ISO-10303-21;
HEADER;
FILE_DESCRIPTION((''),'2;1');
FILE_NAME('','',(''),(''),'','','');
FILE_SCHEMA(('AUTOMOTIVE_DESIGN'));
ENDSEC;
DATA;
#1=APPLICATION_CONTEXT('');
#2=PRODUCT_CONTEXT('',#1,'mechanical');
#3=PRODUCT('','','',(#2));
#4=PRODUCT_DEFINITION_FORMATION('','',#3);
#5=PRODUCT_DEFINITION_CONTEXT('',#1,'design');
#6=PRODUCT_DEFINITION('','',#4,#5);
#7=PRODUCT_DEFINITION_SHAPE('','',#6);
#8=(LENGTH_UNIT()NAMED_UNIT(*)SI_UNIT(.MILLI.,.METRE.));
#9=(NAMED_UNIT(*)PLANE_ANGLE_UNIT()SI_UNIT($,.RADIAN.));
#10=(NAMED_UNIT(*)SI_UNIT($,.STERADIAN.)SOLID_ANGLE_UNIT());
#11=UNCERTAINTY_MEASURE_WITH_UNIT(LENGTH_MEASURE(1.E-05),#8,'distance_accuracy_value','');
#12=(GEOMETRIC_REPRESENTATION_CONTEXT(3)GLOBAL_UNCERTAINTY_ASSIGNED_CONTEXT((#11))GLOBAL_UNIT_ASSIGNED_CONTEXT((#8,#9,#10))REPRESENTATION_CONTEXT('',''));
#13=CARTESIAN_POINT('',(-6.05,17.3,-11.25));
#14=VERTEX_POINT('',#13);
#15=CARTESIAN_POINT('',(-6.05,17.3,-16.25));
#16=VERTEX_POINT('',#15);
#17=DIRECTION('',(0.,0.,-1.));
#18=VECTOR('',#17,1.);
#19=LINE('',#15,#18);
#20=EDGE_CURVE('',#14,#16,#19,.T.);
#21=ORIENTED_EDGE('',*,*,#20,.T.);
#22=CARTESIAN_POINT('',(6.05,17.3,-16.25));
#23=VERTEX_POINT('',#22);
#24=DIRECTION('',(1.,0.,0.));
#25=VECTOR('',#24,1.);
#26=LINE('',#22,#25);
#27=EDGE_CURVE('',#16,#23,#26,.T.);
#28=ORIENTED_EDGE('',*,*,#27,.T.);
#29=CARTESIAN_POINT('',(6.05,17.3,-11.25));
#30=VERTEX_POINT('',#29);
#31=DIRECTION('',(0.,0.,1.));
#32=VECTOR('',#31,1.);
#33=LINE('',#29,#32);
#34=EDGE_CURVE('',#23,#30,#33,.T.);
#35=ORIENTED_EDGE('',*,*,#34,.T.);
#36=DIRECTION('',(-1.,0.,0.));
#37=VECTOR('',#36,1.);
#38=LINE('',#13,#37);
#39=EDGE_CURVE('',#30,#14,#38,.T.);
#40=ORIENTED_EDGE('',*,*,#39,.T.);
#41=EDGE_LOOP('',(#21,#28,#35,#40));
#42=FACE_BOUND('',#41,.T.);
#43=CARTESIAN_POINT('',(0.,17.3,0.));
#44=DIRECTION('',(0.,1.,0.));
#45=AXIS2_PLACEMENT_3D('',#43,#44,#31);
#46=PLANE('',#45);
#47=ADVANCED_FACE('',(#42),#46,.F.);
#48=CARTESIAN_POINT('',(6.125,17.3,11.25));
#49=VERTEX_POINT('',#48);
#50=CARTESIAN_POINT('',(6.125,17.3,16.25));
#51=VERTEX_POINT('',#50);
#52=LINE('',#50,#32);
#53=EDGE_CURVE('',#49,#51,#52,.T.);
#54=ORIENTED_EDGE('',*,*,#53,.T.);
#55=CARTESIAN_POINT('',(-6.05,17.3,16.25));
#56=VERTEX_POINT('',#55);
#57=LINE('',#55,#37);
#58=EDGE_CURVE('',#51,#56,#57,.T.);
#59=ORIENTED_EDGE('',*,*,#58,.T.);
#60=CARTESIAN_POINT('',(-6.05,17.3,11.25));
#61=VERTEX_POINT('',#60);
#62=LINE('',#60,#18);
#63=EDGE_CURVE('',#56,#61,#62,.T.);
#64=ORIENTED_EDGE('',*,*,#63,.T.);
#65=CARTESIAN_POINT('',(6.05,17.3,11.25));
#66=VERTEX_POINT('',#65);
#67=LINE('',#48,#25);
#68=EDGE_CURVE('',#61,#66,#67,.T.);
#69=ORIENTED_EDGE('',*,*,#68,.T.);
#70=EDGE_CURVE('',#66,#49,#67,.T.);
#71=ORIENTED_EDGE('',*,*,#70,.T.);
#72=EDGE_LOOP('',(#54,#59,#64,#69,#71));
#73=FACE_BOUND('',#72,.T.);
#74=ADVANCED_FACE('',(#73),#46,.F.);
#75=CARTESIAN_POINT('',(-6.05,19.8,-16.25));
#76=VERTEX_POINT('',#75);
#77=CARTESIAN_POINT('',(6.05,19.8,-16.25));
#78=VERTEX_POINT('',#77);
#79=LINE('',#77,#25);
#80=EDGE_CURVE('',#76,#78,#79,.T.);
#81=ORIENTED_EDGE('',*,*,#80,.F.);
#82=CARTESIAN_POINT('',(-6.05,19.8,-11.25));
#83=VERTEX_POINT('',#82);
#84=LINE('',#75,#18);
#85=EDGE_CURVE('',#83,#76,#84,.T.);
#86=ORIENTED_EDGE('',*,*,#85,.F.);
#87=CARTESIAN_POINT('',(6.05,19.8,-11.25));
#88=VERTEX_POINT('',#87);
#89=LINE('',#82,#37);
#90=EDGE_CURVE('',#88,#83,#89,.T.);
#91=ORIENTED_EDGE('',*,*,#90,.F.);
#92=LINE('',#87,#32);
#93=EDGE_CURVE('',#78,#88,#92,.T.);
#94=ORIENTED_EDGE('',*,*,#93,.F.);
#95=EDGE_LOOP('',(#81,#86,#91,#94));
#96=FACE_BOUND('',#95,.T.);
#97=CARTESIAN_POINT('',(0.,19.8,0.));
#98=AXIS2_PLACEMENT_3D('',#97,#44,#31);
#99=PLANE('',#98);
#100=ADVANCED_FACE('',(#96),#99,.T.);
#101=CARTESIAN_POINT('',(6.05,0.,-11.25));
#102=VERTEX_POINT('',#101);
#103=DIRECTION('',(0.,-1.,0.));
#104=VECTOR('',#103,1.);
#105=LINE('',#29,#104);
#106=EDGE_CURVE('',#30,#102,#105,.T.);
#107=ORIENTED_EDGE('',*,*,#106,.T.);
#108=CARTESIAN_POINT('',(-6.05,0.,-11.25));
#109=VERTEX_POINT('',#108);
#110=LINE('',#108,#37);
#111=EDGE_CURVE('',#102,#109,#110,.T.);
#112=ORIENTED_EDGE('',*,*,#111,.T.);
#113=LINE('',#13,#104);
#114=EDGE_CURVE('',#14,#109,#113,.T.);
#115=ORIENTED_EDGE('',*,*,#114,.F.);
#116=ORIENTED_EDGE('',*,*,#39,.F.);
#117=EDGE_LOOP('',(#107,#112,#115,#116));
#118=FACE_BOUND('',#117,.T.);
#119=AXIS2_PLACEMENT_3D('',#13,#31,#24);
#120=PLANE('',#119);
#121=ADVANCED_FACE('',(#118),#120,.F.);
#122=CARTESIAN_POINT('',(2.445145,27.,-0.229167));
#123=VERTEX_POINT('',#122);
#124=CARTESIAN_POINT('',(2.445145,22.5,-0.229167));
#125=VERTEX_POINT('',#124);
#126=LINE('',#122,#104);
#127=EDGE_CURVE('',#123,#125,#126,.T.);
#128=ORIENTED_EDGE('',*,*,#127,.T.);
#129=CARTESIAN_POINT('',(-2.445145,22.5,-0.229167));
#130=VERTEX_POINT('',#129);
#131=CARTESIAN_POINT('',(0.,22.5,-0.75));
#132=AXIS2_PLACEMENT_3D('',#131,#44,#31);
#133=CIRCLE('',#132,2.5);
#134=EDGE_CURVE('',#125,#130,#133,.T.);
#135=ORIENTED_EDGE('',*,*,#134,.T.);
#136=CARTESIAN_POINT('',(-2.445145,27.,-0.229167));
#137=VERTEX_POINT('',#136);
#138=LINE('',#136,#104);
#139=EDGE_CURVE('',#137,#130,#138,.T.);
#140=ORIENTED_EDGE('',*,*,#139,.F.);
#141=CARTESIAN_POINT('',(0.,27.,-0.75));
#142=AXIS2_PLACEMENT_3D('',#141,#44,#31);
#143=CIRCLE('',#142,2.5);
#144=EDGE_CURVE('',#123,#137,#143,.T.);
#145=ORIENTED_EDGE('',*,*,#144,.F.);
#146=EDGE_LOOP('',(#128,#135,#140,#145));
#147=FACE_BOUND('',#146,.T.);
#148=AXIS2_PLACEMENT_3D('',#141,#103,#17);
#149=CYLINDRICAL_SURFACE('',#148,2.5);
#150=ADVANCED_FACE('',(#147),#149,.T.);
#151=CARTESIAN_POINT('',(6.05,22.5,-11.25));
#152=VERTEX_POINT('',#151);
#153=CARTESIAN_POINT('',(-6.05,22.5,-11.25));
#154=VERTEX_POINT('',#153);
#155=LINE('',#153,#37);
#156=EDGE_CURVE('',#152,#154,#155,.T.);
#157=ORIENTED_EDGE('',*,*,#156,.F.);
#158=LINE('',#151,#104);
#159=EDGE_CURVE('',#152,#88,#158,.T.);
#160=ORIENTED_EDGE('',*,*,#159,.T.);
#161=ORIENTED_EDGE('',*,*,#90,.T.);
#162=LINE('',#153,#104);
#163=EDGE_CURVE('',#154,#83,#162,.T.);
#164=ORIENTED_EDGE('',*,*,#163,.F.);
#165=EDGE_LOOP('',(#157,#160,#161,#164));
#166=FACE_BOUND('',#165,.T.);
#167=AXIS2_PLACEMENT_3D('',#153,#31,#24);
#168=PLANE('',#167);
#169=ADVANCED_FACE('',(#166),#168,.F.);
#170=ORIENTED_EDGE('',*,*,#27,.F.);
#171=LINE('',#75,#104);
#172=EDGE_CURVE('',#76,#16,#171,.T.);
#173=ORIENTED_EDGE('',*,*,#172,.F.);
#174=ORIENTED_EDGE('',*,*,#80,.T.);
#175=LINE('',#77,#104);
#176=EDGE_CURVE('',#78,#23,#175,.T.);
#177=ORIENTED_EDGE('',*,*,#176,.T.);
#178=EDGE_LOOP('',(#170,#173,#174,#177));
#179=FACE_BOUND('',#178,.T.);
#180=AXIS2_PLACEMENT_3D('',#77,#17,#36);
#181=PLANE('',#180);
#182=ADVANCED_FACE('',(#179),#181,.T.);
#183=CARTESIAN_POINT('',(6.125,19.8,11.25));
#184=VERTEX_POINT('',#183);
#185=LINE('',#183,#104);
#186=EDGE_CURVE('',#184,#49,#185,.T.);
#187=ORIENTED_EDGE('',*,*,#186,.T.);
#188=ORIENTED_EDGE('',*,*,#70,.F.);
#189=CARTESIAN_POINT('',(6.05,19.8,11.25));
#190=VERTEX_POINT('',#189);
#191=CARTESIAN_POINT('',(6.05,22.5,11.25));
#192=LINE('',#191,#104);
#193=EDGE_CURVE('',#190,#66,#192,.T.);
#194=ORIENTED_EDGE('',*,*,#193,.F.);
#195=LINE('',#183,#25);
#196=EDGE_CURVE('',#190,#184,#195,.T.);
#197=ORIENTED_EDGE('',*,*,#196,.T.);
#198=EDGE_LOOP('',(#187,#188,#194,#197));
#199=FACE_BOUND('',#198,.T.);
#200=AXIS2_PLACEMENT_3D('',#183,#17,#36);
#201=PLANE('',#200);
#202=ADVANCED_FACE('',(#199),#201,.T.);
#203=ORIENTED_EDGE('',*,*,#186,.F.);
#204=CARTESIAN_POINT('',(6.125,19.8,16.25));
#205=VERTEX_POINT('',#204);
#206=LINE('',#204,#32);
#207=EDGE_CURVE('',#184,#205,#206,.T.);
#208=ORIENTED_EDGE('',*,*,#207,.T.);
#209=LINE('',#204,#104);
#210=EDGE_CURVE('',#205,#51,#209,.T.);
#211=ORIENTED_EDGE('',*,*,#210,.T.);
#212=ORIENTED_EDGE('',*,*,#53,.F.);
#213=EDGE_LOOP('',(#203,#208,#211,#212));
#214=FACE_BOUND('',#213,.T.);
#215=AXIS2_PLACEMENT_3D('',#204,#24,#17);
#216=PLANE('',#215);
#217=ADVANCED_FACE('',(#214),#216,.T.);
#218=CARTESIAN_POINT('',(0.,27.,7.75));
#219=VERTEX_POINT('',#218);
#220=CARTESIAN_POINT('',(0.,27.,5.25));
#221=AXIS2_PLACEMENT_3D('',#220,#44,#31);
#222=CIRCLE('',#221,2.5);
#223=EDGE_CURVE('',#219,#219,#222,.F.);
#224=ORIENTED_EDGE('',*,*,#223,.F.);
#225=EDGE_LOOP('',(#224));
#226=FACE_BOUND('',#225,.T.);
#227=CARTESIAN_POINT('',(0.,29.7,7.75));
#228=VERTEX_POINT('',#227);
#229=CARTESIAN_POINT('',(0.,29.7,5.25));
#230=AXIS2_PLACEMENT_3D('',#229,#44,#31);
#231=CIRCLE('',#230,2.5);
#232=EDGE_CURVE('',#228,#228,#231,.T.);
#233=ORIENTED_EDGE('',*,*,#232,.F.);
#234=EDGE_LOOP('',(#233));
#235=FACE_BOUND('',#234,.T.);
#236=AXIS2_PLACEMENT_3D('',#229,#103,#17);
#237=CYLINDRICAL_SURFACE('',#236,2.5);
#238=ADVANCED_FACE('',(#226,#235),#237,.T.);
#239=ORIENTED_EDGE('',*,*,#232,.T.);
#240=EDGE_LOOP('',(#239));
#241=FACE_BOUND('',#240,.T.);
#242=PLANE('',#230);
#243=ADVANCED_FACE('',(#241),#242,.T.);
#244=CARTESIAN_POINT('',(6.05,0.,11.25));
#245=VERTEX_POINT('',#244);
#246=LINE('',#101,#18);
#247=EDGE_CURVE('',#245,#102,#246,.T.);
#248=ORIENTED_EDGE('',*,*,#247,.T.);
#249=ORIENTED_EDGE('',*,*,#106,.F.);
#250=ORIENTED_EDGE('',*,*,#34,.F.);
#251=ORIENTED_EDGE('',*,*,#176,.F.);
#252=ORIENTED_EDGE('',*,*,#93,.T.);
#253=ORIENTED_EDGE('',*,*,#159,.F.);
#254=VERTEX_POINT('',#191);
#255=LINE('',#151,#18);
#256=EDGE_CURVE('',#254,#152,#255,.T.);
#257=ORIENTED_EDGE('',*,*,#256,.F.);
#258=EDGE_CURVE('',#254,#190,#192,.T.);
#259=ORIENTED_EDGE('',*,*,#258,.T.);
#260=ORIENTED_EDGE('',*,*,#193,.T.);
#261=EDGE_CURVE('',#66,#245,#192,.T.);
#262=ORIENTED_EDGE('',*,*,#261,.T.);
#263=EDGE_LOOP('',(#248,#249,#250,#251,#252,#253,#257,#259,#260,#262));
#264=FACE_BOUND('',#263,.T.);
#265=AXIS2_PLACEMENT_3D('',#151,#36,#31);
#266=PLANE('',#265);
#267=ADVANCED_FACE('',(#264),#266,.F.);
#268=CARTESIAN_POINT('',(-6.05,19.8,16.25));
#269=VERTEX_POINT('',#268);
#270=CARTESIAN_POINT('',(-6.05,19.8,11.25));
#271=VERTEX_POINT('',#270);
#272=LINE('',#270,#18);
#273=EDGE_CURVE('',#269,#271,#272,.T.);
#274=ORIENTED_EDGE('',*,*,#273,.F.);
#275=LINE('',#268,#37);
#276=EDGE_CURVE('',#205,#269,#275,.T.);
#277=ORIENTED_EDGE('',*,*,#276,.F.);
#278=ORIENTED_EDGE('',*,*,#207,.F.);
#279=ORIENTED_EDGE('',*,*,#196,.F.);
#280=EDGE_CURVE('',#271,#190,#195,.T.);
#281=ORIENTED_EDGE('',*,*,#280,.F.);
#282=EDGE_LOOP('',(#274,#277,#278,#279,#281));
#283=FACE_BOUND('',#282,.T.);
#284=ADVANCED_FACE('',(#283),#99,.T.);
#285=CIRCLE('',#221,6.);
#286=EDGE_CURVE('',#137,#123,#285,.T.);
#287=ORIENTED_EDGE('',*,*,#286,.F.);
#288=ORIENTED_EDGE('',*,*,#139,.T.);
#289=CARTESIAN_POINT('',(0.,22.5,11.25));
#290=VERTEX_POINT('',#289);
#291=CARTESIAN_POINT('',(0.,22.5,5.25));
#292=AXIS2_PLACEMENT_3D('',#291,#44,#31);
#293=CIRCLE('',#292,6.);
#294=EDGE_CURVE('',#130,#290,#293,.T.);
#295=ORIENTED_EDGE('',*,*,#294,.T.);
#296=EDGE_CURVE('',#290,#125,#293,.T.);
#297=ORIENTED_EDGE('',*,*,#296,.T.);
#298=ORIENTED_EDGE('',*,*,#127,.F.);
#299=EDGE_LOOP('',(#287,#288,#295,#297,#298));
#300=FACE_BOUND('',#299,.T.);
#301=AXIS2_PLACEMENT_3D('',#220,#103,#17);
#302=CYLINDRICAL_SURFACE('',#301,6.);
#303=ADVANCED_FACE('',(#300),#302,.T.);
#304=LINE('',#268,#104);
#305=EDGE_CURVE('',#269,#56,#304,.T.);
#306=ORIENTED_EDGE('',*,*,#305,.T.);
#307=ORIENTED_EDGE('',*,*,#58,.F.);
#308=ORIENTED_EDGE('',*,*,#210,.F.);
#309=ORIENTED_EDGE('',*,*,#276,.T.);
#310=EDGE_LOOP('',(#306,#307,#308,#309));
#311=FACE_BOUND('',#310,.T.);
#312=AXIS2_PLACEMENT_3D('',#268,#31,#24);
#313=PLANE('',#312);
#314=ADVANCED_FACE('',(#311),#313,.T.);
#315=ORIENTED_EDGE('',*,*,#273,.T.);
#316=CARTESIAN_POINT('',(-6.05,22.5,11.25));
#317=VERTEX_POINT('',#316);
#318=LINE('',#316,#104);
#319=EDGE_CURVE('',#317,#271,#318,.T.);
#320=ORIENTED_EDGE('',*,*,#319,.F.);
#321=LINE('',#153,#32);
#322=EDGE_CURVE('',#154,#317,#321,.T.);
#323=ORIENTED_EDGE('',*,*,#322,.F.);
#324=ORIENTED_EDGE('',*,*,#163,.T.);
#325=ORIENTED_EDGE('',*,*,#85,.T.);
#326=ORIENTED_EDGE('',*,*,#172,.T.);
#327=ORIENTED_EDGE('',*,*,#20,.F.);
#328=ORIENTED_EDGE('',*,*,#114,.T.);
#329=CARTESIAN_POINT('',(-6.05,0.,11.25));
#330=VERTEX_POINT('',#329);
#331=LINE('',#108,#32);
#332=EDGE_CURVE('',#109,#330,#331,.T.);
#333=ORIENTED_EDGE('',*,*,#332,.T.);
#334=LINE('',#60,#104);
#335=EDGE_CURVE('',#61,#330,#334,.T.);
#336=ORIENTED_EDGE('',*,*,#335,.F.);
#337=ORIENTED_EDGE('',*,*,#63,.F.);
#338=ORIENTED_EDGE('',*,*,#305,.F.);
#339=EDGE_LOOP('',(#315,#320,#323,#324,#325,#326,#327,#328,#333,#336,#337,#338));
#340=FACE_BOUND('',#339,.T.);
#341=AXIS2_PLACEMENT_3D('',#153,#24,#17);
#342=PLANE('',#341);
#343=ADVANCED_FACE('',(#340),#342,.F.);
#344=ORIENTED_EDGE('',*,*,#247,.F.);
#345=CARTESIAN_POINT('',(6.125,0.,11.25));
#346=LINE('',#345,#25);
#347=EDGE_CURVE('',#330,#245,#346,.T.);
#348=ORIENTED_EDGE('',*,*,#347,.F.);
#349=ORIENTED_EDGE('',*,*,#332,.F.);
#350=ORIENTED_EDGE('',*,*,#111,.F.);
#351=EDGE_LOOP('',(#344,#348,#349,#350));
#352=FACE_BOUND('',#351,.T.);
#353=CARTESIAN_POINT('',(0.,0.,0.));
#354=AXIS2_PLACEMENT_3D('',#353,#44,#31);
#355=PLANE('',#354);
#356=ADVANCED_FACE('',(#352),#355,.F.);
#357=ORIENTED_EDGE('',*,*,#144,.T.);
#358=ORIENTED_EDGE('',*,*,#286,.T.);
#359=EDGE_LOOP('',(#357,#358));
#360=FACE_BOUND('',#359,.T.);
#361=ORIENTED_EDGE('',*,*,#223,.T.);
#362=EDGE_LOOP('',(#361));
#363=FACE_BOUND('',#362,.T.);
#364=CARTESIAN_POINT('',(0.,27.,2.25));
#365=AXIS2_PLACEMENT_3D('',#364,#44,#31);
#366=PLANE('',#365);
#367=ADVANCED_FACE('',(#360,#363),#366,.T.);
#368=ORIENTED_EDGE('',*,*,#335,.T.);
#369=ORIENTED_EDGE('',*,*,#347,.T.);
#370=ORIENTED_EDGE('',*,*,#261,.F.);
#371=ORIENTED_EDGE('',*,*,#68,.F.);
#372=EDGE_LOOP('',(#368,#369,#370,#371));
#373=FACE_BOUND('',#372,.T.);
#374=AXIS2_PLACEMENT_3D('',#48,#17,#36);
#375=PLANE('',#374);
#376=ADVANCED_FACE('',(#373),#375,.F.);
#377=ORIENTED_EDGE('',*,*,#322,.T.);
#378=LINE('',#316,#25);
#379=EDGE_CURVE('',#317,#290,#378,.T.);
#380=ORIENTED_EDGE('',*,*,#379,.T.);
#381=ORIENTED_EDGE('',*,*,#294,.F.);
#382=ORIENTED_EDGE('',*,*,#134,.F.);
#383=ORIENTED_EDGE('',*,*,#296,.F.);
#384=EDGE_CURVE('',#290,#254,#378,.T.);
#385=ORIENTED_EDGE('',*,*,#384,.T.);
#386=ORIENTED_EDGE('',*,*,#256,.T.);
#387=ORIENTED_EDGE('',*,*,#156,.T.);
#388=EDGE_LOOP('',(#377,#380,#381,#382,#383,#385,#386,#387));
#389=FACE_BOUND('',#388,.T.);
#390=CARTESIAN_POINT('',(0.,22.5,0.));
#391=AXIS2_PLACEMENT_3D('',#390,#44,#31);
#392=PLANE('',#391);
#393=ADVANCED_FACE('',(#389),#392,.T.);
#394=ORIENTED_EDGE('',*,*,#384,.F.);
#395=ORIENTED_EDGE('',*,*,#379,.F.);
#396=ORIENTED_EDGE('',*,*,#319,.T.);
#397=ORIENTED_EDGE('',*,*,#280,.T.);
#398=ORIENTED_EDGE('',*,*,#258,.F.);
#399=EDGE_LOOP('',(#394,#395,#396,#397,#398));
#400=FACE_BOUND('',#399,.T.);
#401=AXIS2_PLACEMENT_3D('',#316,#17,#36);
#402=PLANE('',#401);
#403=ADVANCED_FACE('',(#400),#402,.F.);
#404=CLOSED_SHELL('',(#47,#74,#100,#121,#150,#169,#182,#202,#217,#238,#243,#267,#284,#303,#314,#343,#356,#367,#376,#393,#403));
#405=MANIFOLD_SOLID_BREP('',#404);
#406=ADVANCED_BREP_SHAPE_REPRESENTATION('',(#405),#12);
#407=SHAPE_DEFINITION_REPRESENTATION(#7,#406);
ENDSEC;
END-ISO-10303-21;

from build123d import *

# Parameters (mm, degrees)
SKETCH1_W           = 12.1
SKETCH1_H           = 22.5
BOSS_EXTRUDE1_DEPTH = 22.5
BOSS_EXTRUDE2_DEPTH = 4.5
SKETCH2_3_R         = 2.5
BOSS_EXTRUDE3_DEPTH = 7.2
SKETCH9_R           = 1.27
BOSS_EXTRUDE7_DEPTH = 3
SKETCH12_W          = 12.175
SKETCH12_H          = 5
SKETCH12_W_2        = 12.1
BOSS_EXTRUDE8_DEPTH = 19.8
SKETCH12_2_W        = 12.175
SKETCH12_2_H        = 5
SKETCH12_2_W_2      = 12.1
CUT_EXTRUDE1_DEPTH  = 17.3


with BuildPart() as part:
    # Sketch1 → Boss-Extrude1 (new body)
    with BuildSketch(Plane(origin=(0, 0, 0), x_dir=(1, 0, 0), z_dir=(0, 1, 0))):
        Rectangle(SKETCH1_W, SKETCH1_H)
    extrude(amount=BOSS_EXTRUDE1_DEPTH)

    # Sketch2 → Boss-Extrude2 (add)
    with BuildSketch(Plane(origin=(0, 22.5, 0), x_dir=(1, 0, 0), z_dir=(0, 1, 0))):
        with BuildLine():
            ThreePointArc((-2.445144707, 0.229166667), (0, -11.25), (2.445144707, 0.229166667))
            ThreePointArc((2.445144707, 0.229166667), (0, 3.25), (-2.445144707, 0.229166667))
        make_face()
    extrude(amount=BOSS_EXTRUDE2_DEPTH)

    # Sketch2<3> → Boss-Extrude3 (add)
    with BuildSketch(Plane(origin=(0, 22.5, 0), x_dir=(1, 0, 0), z_dir=(0, 1, 0))):
        with Locations((0, -5.25)):
            Circle(SKETCH2_3_R)
    extrude(amount=BOSS_EXTRUDE3_DEPTH)

    # Sketch9 → Boss-Extrude7 (add)
    with BuildSketch(Plane.XY.offset(11.25)):
        with Locations((0, 1.27)):
            Circle(SKETCH9_R)
        with Locations((-2.6, 1.27)):
            Circle(SKETCH9_R)
        with Locations((2.6, 1.27)):
            Circle(SKETCH9_R)
    extrude(amount=BOSS_EXTRUDE7_DEPTH)

    # Sketch12 → Boss-Extrude8 (add)
    with BuildSketch(Plane.XZ):
        with Locations((0.0375, 13.75)):
            Rectangle(SKETCH12_W, SKETCH12_H)
        with Locations((0, -13.75)):
            Rectangle(SKETCH12_W_2, SKETCH12_H)
    extrude(amount=-BOSS_EXTRUDE8_DEPTH)

    # Sketch12<2> → Cut-Extrude1 (cut)
    with BuildSketch(Plane.XZ):
        with Locations((0.0375, 13.75)):
            Rectangle(SKETCH12_2_W, SKETCH12_2_H)
        with Locations((0, -13.75)):
            Rectangle(SKETCH12_2_W_2, SKETCH12_2_H)
    extrude(amount=-CUT_EXTRUDE1_DEPTH, mode=Mode.SUBTRACT)


solid = part.part
